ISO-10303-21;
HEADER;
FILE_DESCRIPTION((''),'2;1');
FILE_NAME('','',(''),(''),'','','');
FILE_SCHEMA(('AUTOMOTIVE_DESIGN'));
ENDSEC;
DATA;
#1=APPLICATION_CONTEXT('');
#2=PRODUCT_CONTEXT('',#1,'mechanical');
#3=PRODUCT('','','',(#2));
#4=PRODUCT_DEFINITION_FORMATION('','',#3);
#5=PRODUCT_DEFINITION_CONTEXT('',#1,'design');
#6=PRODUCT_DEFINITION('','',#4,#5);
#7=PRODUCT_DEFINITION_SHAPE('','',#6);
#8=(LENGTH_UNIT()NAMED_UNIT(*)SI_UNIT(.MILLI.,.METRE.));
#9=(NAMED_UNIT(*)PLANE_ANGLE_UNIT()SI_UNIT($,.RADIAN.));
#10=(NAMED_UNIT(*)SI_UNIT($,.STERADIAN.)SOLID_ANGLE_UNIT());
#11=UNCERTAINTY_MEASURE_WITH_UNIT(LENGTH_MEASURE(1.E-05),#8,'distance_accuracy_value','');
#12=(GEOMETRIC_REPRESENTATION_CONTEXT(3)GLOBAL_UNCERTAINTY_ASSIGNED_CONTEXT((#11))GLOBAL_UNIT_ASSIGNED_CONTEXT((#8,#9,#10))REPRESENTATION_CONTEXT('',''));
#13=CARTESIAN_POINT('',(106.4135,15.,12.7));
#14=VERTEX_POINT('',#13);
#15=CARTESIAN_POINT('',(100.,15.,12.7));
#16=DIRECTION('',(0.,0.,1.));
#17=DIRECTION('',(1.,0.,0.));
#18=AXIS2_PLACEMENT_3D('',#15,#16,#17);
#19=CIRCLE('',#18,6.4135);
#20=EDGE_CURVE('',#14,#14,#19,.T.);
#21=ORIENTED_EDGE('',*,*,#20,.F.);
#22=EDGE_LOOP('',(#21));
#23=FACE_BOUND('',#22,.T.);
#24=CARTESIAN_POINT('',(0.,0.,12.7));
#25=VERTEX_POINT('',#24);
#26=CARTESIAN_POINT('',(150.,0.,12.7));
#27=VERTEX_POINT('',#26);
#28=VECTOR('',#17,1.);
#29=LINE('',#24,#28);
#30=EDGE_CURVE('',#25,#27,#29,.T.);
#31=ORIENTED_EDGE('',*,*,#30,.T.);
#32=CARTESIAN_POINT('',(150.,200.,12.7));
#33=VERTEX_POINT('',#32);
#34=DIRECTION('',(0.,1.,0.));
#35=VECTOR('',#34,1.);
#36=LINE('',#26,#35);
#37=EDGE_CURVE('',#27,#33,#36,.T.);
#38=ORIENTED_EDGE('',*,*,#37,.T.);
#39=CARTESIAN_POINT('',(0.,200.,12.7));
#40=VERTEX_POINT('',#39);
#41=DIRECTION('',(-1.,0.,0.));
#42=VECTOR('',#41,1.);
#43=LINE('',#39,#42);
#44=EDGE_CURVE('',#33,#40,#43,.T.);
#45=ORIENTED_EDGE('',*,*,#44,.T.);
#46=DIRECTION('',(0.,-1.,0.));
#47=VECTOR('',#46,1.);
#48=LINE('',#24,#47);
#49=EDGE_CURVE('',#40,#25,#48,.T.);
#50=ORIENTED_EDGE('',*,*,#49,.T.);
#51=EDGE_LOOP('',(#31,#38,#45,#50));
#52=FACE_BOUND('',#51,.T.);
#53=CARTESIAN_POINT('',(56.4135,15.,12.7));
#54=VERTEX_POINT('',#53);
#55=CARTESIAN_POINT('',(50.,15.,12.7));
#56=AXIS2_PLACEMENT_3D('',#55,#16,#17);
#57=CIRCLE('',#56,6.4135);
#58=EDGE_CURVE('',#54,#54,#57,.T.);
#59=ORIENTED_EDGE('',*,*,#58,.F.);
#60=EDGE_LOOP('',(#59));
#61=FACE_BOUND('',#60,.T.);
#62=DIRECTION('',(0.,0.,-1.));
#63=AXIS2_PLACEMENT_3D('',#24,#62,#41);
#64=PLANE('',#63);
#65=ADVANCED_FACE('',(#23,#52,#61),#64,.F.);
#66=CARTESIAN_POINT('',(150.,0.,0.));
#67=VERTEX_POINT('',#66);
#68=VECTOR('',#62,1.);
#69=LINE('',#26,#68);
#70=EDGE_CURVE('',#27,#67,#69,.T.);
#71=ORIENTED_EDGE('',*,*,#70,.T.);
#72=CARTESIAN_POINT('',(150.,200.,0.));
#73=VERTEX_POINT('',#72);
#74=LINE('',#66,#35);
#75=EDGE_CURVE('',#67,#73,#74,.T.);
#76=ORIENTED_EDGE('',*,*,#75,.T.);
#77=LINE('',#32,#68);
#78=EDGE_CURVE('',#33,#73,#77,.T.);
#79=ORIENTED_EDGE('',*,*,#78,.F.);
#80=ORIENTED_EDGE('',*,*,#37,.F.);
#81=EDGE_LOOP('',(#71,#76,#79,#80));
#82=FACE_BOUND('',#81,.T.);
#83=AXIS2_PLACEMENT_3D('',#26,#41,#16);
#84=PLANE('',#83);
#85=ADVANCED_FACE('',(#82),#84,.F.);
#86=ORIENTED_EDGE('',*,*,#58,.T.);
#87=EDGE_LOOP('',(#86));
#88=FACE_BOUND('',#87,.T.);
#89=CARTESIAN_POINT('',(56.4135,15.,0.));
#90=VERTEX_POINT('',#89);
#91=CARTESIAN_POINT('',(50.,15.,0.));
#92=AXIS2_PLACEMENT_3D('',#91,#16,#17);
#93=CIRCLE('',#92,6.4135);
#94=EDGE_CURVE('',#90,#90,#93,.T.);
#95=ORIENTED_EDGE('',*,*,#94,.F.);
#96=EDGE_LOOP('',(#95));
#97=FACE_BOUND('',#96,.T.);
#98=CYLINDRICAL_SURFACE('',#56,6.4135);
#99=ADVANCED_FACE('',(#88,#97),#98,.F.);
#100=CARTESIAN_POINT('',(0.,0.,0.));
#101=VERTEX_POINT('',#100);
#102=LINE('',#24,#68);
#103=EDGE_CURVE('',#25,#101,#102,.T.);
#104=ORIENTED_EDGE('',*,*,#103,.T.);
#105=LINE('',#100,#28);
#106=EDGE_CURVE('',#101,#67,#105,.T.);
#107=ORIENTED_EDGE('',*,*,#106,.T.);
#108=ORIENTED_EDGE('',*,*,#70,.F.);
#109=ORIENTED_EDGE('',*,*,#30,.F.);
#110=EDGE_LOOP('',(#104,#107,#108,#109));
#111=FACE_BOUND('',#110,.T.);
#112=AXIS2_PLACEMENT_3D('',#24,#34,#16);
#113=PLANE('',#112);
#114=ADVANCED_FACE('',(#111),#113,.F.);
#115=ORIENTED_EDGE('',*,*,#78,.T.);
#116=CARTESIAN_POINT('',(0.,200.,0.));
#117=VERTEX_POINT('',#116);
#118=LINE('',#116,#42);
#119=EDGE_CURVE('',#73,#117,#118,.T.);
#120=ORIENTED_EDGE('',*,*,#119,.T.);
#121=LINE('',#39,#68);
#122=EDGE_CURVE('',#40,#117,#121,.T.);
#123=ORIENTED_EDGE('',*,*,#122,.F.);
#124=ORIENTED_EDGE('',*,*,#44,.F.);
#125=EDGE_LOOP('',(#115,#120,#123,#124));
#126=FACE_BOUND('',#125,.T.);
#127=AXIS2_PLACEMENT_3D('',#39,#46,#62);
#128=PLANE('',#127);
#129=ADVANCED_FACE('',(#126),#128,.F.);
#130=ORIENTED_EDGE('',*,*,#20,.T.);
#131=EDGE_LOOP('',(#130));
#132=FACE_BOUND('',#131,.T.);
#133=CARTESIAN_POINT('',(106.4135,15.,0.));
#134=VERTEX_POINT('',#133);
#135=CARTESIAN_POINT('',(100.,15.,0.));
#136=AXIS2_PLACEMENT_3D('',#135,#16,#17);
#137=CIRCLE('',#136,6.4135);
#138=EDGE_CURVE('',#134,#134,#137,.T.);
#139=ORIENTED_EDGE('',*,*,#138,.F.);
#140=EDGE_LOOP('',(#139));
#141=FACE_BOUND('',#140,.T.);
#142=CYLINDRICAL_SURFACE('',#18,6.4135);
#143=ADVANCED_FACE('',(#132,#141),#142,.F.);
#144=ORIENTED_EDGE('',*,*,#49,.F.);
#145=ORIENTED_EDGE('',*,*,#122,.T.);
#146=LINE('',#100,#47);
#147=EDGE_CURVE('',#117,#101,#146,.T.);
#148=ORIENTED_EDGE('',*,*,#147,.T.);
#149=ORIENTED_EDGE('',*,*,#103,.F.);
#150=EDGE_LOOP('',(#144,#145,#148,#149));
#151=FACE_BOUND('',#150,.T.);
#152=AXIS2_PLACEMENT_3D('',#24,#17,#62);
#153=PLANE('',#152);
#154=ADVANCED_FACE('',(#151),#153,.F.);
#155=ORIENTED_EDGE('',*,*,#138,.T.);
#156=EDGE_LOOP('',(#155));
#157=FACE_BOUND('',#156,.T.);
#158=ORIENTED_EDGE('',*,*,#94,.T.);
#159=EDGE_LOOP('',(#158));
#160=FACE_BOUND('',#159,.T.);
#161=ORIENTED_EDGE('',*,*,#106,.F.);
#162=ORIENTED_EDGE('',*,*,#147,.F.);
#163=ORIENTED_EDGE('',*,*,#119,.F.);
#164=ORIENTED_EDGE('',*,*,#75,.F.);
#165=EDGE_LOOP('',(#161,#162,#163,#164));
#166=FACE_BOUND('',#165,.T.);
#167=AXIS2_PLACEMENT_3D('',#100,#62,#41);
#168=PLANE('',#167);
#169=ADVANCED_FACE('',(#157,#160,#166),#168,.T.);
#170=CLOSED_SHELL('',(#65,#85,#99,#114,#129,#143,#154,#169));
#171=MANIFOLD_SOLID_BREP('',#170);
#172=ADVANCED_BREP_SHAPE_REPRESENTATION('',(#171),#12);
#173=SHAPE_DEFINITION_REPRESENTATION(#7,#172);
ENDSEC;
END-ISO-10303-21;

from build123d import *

# Parameters (mm, degrees)
SKETCH1_W                  = 150
SKETCH1_H                  = 200
BOSS_EXTRUDE1_DEPTH        = 12.7
F_1_2_0_5_DIAMETER_HOLE1_D = 12.827


with BuildPart() as part:
    # Sketch1 → Boss-Extrude1 (new body)
    with BuildSketch(Plane.XY):
        with Locations((75, 100)):
            Rectangle(SKETCH1_W, SKETCH1_H)
    extrude(amount=BOSS_EXTRUDE1_DEPTH)

    # 1/2 (0.5) Diameter Hole1 (through all)
    with Locations(Plane.XY.offset(12.7)):
        with Locations((100, 15), (50, 15)):
            Hole(F_1_2_0_5_DIAMETER_HOLE1_D / 2)


solid = part.part
